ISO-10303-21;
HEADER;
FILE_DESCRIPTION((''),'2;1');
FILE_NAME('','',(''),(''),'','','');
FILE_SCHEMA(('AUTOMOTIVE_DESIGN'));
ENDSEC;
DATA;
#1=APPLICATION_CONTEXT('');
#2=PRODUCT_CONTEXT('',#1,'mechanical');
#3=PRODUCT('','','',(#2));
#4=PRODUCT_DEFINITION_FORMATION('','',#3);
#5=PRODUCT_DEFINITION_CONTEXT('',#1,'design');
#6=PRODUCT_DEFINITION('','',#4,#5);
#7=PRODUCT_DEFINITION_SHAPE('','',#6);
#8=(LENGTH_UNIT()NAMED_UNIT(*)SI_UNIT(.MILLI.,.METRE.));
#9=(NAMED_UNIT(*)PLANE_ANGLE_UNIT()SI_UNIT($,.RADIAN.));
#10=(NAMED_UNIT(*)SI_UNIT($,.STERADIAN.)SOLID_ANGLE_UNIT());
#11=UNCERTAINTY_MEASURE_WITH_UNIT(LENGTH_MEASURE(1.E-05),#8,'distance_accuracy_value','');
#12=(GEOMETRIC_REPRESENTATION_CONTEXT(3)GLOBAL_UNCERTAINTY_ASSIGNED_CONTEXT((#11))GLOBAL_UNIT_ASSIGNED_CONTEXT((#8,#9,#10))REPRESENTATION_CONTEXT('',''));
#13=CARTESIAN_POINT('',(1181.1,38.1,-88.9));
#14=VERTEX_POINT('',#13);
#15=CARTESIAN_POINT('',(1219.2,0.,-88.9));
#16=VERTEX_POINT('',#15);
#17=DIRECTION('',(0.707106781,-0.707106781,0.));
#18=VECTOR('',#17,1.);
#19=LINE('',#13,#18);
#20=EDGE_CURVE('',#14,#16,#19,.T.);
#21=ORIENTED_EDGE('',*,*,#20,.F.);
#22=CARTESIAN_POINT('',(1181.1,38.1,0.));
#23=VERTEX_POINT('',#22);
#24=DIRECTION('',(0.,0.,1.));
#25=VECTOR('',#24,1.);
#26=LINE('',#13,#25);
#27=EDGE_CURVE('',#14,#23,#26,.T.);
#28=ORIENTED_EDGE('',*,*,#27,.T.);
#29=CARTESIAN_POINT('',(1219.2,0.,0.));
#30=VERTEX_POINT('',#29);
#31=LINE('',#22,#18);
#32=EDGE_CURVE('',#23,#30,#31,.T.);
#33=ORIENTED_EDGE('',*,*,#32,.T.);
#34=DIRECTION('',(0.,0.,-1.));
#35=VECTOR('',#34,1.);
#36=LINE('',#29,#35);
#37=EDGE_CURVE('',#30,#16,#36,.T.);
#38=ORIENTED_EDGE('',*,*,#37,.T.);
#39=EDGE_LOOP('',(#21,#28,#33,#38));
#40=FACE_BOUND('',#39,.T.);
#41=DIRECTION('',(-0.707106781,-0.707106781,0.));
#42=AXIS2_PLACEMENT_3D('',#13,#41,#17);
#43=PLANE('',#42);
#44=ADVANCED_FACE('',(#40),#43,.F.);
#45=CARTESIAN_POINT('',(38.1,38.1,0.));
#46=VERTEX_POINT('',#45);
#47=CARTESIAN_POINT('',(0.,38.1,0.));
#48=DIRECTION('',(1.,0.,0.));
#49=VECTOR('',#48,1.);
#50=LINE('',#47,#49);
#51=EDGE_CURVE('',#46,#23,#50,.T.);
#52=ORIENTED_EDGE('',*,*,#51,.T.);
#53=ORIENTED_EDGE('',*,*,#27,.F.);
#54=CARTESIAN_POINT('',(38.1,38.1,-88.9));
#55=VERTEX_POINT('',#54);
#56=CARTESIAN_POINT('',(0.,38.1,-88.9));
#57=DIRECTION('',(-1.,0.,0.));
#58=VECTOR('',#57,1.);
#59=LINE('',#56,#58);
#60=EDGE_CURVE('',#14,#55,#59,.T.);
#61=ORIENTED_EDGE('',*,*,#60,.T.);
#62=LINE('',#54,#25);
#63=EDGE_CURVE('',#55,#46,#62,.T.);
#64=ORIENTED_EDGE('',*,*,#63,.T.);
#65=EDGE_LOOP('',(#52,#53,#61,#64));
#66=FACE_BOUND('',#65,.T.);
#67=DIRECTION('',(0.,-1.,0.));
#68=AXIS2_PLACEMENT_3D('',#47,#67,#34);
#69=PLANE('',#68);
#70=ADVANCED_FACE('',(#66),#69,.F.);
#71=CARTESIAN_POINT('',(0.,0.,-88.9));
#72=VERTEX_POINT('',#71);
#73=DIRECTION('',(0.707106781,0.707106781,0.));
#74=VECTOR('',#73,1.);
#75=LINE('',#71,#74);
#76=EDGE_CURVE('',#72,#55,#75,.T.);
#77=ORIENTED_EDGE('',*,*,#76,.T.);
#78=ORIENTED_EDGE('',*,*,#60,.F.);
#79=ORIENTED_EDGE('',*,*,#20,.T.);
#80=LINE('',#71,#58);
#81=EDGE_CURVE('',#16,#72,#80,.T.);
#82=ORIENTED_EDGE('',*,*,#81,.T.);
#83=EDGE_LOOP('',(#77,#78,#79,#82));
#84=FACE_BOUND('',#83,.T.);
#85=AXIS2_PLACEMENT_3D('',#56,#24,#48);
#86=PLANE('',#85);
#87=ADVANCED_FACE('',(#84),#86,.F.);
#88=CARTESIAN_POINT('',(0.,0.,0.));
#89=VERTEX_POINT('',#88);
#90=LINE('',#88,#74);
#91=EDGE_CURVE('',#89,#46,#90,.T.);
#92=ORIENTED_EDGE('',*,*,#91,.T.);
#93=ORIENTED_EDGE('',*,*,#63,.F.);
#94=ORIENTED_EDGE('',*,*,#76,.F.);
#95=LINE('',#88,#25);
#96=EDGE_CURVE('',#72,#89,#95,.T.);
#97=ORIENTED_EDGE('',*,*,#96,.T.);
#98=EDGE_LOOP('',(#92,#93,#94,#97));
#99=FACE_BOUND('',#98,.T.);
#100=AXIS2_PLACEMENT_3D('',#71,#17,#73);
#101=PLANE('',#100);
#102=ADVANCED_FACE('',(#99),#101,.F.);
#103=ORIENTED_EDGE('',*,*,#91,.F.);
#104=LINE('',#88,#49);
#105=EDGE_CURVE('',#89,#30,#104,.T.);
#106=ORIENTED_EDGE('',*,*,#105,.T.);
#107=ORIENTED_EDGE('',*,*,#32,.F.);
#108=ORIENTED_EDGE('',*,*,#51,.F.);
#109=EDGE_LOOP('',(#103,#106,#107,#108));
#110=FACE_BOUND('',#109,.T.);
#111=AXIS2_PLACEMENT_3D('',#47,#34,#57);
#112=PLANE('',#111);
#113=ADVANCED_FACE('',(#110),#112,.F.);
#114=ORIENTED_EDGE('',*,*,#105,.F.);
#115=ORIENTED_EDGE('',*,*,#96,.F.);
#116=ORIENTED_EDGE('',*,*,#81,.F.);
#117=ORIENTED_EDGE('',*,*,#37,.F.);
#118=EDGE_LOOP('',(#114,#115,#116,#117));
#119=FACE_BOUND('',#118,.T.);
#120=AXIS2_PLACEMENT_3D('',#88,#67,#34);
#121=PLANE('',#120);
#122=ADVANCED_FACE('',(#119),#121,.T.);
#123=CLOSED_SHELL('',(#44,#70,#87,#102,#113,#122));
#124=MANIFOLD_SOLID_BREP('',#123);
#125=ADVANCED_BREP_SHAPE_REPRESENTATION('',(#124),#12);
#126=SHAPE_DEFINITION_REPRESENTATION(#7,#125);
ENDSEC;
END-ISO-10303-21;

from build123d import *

# Parameters (mm, degrees)
SKETCH1_W           = 1219.2
SKETCH1_H           = 88.9
BOSS_EXTRUDE1_DEPTH = 38.1
CUT_EXTRUDE1_DEPTH  = 89.9


with BuildPart() as part:
    # Sketch1 → Boss-Extrude1 (new body)
    with BuildSketch(Plane(origin=(0, 0, 0), x_dir=(1, 0, 0), z_dir=(0, 1, 0))):
        with Locations((609.6, 44.45)):
            Rectangle(SKETCH1_W, SKETCH1_H)
    extrude(amount=BOSS_EXTRUDE1_DEPTH)

    # Sketch2 → Cut-Extrude1 (cut, through all)
    with BuildSketch(Plane.XY):
        Polygon((0, 0), (38.1, 38.1), (0, 38.1), align=None)
        Polygon((1219.2, 0), (1219.2, 38.1), (1181.1, 38.1), align=None)
    extrude(amount=-CUT_EXTRUDE1_DEPTH, mode=Mode.SUBTRACT)


solid = part.part
